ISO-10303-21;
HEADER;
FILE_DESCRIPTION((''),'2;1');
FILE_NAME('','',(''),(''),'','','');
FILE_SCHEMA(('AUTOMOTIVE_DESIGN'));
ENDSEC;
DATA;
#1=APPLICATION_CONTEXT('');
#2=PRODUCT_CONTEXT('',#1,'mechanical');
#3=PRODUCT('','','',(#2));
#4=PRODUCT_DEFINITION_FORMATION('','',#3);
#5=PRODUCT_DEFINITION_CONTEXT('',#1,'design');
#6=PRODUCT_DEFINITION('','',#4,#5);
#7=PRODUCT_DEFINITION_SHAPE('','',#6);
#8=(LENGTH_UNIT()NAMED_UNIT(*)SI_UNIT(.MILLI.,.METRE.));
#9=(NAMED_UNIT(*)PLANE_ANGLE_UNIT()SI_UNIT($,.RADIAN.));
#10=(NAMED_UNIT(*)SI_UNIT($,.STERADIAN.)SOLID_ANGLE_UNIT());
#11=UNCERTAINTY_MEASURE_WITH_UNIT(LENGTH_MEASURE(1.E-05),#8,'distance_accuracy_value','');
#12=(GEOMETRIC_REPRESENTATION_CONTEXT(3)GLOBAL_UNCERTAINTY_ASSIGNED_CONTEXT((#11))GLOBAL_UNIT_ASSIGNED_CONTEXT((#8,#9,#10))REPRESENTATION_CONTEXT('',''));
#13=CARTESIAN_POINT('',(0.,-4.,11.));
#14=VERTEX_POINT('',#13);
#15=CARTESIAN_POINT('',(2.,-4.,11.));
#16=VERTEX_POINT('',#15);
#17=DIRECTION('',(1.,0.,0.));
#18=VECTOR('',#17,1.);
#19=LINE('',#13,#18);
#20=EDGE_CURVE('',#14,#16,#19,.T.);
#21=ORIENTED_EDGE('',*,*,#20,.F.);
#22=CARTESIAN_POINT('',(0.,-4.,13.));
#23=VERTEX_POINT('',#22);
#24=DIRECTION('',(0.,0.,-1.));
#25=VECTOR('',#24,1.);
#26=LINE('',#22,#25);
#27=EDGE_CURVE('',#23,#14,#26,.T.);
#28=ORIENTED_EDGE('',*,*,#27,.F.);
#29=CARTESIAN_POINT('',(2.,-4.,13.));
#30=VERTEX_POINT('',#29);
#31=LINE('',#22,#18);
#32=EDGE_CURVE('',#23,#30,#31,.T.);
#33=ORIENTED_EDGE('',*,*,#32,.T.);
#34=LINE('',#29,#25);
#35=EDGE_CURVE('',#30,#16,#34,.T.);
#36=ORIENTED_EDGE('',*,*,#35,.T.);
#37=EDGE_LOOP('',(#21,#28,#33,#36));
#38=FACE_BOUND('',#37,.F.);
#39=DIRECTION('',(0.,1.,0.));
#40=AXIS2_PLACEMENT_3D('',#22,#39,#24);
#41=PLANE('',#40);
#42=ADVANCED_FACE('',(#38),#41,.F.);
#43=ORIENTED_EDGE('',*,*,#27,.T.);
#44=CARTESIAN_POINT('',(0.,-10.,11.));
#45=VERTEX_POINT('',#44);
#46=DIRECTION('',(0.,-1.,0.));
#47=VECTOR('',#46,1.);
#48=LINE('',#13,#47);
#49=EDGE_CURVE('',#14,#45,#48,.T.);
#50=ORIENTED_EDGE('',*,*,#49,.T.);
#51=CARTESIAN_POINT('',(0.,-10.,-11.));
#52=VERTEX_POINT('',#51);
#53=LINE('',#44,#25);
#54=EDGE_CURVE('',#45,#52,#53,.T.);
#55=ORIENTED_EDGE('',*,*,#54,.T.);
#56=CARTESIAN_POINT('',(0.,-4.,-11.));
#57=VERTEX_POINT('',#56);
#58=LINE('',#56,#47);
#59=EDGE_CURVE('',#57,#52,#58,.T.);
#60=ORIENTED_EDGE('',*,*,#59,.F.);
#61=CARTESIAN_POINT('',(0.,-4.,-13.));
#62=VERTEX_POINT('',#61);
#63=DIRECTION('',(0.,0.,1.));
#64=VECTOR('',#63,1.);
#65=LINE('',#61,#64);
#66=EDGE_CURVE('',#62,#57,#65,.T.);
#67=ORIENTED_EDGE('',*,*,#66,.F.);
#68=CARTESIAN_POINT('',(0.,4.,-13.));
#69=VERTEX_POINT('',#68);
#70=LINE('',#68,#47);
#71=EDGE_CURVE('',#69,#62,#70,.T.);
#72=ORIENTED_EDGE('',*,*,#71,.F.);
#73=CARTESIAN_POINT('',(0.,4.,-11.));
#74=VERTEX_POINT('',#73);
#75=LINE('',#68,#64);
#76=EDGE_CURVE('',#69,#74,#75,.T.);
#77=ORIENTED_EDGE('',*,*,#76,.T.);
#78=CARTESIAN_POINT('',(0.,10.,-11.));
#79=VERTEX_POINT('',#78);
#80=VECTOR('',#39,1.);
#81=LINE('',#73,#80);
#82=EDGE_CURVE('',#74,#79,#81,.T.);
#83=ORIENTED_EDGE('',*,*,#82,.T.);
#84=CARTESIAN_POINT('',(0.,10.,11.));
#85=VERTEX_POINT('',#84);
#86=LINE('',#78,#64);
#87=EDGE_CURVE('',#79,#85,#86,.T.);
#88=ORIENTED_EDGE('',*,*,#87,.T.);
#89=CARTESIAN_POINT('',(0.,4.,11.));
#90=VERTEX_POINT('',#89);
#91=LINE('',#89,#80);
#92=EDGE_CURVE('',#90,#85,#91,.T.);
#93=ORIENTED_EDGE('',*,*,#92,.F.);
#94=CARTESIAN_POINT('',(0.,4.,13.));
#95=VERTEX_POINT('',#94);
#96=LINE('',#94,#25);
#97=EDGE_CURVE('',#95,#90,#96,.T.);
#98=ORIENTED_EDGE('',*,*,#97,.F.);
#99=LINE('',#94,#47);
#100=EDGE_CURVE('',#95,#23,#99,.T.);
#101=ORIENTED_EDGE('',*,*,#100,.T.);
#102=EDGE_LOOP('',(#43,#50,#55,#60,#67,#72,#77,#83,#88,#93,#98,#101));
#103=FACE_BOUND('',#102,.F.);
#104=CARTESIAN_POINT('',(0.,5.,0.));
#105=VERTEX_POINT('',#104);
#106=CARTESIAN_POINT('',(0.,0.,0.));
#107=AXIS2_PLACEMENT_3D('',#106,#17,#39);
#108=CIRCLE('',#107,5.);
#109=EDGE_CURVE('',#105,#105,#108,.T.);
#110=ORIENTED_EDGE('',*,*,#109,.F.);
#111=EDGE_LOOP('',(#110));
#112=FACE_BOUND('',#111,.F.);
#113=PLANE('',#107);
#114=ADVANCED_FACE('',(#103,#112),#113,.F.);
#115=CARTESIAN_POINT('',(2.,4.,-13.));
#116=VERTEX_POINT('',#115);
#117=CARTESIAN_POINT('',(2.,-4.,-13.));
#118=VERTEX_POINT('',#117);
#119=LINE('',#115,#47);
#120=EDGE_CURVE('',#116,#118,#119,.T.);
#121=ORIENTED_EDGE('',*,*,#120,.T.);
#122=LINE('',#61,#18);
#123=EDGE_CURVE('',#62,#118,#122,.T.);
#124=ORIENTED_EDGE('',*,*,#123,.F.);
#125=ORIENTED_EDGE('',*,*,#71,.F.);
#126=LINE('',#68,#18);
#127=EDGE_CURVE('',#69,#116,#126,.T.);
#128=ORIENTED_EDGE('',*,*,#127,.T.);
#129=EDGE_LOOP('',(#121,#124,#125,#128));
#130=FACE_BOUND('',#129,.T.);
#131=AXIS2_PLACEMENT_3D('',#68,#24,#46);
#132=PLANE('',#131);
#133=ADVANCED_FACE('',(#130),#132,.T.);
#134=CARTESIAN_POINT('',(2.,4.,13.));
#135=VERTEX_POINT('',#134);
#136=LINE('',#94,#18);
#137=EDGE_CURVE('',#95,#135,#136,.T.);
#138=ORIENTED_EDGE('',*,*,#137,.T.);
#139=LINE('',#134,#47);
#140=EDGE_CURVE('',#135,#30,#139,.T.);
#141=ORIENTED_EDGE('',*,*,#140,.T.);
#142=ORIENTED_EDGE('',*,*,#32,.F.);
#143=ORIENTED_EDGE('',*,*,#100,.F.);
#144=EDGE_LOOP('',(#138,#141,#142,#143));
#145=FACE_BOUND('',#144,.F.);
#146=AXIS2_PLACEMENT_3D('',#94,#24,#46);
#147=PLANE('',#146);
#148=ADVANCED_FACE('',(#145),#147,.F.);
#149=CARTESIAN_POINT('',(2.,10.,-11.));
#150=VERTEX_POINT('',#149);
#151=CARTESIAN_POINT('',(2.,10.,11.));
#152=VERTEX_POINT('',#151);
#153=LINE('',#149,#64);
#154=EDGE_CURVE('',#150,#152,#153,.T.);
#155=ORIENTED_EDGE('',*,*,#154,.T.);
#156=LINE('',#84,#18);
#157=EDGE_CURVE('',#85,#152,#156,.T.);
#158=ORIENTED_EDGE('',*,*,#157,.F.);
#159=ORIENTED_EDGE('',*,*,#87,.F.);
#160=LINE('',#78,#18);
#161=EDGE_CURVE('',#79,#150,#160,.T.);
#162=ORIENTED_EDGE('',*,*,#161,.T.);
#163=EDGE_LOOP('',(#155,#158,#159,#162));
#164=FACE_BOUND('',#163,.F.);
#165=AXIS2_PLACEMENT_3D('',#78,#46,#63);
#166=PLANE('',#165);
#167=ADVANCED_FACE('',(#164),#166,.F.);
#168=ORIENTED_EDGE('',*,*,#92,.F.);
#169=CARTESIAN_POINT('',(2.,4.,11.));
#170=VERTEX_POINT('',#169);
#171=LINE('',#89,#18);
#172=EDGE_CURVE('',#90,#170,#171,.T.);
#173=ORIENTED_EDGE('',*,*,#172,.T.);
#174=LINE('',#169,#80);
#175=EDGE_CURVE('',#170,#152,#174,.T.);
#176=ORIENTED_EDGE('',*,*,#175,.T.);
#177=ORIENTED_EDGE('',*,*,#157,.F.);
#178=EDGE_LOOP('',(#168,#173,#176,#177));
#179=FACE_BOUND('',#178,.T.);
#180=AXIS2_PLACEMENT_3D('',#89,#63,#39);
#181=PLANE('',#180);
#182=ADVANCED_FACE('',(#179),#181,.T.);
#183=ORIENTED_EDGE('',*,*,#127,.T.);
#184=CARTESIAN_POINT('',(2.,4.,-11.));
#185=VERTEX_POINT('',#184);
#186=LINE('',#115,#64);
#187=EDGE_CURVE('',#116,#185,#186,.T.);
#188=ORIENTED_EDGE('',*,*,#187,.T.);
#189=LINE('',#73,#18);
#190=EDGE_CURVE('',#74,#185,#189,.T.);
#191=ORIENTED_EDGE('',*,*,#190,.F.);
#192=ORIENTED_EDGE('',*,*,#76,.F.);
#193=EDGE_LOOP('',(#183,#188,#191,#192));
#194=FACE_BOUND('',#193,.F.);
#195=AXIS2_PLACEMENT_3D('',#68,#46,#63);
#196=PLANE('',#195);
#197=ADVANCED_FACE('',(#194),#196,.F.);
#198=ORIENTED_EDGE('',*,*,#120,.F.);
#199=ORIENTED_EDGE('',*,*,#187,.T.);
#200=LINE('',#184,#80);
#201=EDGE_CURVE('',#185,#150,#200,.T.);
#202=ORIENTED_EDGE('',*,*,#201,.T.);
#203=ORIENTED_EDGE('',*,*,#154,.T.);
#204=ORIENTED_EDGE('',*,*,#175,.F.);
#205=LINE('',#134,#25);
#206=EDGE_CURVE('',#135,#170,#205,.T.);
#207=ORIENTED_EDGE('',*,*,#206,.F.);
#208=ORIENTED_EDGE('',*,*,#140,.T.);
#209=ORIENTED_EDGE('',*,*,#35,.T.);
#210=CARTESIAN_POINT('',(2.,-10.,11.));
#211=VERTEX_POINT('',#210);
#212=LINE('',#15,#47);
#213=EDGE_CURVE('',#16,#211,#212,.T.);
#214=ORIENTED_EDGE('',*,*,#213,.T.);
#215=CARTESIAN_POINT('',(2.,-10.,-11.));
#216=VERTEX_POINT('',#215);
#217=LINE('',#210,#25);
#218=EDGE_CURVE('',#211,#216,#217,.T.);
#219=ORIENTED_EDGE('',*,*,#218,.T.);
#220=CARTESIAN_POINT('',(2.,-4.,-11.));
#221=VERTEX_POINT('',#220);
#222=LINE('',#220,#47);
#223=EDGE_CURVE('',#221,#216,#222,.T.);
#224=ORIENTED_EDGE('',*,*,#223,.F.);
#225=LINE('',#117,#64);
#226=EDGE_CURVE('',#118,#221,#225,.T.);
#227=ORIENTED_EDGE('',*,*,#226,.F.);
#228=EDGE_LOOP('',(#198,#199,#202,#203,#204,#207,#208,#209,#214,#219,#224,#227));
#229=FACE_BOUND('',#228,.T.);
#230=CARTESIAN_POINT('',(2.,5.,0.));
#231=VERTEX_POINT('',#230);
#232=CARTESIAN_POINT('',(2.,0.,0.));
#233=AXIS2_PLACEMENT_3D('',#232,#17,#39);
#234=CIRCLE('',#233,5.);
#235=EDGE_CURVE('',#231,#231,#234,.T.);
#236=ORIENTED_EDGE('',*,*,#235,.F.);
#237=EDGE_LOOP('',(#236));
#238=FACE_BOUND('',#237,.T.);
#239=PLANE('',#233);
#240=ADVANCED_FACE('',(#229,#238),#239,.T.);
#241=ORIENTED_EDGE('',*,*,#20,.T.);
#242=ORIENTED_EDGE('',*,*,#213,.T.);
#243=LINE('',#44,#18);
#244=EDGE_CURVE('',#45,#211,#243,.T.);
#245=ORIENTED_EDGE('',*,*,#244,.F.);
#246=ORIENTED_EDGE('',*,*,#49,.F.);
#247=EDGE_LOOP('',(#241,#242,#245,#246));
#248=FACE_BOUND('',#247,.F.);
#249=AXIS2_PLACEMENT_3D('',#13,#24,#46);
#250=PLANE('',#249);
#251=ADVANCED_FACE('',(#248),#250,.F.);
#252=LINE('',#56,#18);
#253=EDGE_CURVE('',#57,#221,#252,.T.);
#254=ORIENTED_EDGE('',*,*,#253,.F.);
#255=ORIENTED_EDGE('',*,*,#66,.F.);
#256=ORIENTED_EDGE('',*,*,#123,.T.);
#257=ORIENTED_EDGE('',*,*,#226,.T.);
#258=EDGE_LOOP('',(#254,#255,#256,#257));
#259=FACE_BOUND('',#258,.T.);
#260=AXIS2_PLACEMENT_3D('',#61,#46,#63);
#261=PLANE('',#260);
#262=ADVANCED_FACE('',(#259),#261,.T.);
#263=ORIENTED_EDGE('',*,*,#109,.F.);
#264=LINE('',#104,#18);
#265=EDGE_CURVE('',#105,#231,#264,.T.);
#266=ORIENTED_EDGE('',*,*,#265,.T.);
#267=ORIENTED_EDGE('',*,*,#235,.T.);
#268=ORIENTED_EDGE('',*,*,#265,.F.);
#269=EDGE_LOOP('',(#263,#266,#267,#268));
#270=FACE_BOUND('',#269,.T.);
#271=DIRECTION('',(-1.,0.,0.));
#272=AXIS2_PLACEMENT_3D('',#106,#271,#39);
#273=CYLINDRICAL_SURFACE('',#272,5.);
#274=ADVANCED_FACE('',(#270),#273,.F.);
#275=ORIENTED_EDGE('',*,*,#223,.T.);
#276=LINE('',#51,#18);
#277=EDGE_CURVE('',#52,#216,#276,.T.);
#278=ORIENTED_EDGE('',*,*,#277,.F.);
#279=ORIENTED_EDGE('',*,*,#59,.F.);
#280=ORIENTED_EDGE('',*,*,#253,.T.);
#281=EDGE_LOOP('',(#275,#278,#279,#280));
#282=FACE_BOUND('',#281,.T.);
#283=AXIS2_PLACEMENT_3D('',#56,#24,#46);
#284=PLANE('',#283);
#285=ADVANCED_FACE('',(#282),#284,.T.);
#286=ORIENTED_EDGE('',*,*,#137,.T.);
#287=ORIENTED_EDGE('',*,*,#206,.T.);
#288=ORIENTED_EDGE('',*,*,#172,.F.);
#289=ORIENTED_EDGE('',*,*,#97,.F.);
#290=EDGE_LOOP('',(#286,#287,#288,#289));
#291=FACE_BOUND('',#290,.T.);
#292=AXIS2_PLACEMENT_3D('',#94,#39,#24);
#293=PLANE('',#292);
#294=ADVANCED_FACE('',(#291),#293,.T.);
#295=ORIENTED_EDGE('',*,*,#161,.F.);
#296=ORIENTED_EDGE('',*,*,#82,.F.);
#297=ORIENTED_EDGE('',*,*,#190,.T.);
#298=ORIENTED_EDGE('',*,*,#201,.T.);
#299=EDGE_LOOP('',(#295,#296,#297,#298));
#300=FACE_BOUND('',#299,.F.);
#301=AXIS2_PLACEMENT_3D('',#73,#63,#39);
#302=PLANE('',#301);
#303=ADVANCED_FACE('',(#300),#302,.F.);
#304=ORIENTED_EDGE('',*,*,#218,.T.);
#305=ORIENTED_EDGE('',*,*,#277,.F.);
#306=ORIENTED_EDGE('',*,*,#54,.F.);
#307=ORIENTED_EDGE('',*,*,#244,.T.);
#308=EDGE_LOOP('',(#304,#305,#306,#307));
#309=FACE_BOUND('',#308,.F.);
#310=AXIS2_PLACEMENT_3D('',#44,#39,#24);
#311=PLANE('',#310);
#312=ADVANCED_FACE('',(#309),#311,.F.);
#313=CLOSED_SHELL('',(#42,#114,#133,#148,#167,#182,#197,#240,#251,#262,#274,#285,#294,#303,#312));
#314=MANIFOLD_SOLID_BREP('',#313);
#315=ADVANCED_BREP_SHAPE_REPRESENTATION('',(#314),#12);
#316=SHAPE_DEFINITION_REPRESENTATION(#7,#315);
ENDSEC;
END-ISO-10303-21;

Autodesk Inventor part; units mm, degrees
ref_plane "YZ Plane" through (0, 0, 0) normal (1, 0, 0) x (0, 1, 0)
ref_plane "XZ Plane" through (0, 0, 0) normal (0, 1, 0) x (-1, 0, 0)
ref_plane "XY Plane" through (0, 0, 0) normal (0, 0, 1) x (1, 0, 0)
sketch "Эскиз1" plane through (0, 0, 0) normal (1, 0, 0) x (0, 1, 0)
  circle A0 centre (0, 0) radius 5
  line L0 (10, -11) -> (10, 11)
  line L1 (4, 13) -> (-4, 13)
  line L2 (-10, 11) -> (-10, -11)
  line L3 (4, 13) -> (4, 11)
  line L4 (4, 11) -> (10, 11)
  line L5 (0, 0) -> (0, 13.6398) construction
  line L6 (-4, 13) -> (-4, 11)
  line L7 (-4, 11) -> (-10, 11)
  line L8 (0, 0) -> (10.8227, 0) construction
  line L9 (4, -13) -> (-4, -13)
  line L10 (4, -13) -> (4, -11)
  line L11 (4, -11) -> (10, -11)
  line L12 (-4, -13) -> (-4, -11)
  line L13 (-4, -11) -> (-10, -11)
  dimension "d0" = 10
  dimension "d3" = 6
  dimension "d4" = 2
  dimension "d5" = 8
  dimension "d6" = 22
extrude "Пластина1" add sketch "Эскиз1" along normal blind 2
equation "\"d9\" = Толщина"
equation "\"Радиус_гибки\" = Толщина"
equation "\"Ширина_просечки\" = Толщина"
equation "\"Глубина_просечки\" = 0.5 * Толщина"
equation "\"Размер_просечки\" = 4 * Толщина"
equation "\"Мин_остаток\" = 2 * Толщина"
equation "\"Радиус_перехода\" = Радиус_гибки"
equation "\"Радиус_Якоби\" = Радиус_гибки"
equation "\"Размер_зазора\" = Толщина"
equation "\"Толщина\" = 2"
properties part number "cover" material "Сталь, хромированная"
